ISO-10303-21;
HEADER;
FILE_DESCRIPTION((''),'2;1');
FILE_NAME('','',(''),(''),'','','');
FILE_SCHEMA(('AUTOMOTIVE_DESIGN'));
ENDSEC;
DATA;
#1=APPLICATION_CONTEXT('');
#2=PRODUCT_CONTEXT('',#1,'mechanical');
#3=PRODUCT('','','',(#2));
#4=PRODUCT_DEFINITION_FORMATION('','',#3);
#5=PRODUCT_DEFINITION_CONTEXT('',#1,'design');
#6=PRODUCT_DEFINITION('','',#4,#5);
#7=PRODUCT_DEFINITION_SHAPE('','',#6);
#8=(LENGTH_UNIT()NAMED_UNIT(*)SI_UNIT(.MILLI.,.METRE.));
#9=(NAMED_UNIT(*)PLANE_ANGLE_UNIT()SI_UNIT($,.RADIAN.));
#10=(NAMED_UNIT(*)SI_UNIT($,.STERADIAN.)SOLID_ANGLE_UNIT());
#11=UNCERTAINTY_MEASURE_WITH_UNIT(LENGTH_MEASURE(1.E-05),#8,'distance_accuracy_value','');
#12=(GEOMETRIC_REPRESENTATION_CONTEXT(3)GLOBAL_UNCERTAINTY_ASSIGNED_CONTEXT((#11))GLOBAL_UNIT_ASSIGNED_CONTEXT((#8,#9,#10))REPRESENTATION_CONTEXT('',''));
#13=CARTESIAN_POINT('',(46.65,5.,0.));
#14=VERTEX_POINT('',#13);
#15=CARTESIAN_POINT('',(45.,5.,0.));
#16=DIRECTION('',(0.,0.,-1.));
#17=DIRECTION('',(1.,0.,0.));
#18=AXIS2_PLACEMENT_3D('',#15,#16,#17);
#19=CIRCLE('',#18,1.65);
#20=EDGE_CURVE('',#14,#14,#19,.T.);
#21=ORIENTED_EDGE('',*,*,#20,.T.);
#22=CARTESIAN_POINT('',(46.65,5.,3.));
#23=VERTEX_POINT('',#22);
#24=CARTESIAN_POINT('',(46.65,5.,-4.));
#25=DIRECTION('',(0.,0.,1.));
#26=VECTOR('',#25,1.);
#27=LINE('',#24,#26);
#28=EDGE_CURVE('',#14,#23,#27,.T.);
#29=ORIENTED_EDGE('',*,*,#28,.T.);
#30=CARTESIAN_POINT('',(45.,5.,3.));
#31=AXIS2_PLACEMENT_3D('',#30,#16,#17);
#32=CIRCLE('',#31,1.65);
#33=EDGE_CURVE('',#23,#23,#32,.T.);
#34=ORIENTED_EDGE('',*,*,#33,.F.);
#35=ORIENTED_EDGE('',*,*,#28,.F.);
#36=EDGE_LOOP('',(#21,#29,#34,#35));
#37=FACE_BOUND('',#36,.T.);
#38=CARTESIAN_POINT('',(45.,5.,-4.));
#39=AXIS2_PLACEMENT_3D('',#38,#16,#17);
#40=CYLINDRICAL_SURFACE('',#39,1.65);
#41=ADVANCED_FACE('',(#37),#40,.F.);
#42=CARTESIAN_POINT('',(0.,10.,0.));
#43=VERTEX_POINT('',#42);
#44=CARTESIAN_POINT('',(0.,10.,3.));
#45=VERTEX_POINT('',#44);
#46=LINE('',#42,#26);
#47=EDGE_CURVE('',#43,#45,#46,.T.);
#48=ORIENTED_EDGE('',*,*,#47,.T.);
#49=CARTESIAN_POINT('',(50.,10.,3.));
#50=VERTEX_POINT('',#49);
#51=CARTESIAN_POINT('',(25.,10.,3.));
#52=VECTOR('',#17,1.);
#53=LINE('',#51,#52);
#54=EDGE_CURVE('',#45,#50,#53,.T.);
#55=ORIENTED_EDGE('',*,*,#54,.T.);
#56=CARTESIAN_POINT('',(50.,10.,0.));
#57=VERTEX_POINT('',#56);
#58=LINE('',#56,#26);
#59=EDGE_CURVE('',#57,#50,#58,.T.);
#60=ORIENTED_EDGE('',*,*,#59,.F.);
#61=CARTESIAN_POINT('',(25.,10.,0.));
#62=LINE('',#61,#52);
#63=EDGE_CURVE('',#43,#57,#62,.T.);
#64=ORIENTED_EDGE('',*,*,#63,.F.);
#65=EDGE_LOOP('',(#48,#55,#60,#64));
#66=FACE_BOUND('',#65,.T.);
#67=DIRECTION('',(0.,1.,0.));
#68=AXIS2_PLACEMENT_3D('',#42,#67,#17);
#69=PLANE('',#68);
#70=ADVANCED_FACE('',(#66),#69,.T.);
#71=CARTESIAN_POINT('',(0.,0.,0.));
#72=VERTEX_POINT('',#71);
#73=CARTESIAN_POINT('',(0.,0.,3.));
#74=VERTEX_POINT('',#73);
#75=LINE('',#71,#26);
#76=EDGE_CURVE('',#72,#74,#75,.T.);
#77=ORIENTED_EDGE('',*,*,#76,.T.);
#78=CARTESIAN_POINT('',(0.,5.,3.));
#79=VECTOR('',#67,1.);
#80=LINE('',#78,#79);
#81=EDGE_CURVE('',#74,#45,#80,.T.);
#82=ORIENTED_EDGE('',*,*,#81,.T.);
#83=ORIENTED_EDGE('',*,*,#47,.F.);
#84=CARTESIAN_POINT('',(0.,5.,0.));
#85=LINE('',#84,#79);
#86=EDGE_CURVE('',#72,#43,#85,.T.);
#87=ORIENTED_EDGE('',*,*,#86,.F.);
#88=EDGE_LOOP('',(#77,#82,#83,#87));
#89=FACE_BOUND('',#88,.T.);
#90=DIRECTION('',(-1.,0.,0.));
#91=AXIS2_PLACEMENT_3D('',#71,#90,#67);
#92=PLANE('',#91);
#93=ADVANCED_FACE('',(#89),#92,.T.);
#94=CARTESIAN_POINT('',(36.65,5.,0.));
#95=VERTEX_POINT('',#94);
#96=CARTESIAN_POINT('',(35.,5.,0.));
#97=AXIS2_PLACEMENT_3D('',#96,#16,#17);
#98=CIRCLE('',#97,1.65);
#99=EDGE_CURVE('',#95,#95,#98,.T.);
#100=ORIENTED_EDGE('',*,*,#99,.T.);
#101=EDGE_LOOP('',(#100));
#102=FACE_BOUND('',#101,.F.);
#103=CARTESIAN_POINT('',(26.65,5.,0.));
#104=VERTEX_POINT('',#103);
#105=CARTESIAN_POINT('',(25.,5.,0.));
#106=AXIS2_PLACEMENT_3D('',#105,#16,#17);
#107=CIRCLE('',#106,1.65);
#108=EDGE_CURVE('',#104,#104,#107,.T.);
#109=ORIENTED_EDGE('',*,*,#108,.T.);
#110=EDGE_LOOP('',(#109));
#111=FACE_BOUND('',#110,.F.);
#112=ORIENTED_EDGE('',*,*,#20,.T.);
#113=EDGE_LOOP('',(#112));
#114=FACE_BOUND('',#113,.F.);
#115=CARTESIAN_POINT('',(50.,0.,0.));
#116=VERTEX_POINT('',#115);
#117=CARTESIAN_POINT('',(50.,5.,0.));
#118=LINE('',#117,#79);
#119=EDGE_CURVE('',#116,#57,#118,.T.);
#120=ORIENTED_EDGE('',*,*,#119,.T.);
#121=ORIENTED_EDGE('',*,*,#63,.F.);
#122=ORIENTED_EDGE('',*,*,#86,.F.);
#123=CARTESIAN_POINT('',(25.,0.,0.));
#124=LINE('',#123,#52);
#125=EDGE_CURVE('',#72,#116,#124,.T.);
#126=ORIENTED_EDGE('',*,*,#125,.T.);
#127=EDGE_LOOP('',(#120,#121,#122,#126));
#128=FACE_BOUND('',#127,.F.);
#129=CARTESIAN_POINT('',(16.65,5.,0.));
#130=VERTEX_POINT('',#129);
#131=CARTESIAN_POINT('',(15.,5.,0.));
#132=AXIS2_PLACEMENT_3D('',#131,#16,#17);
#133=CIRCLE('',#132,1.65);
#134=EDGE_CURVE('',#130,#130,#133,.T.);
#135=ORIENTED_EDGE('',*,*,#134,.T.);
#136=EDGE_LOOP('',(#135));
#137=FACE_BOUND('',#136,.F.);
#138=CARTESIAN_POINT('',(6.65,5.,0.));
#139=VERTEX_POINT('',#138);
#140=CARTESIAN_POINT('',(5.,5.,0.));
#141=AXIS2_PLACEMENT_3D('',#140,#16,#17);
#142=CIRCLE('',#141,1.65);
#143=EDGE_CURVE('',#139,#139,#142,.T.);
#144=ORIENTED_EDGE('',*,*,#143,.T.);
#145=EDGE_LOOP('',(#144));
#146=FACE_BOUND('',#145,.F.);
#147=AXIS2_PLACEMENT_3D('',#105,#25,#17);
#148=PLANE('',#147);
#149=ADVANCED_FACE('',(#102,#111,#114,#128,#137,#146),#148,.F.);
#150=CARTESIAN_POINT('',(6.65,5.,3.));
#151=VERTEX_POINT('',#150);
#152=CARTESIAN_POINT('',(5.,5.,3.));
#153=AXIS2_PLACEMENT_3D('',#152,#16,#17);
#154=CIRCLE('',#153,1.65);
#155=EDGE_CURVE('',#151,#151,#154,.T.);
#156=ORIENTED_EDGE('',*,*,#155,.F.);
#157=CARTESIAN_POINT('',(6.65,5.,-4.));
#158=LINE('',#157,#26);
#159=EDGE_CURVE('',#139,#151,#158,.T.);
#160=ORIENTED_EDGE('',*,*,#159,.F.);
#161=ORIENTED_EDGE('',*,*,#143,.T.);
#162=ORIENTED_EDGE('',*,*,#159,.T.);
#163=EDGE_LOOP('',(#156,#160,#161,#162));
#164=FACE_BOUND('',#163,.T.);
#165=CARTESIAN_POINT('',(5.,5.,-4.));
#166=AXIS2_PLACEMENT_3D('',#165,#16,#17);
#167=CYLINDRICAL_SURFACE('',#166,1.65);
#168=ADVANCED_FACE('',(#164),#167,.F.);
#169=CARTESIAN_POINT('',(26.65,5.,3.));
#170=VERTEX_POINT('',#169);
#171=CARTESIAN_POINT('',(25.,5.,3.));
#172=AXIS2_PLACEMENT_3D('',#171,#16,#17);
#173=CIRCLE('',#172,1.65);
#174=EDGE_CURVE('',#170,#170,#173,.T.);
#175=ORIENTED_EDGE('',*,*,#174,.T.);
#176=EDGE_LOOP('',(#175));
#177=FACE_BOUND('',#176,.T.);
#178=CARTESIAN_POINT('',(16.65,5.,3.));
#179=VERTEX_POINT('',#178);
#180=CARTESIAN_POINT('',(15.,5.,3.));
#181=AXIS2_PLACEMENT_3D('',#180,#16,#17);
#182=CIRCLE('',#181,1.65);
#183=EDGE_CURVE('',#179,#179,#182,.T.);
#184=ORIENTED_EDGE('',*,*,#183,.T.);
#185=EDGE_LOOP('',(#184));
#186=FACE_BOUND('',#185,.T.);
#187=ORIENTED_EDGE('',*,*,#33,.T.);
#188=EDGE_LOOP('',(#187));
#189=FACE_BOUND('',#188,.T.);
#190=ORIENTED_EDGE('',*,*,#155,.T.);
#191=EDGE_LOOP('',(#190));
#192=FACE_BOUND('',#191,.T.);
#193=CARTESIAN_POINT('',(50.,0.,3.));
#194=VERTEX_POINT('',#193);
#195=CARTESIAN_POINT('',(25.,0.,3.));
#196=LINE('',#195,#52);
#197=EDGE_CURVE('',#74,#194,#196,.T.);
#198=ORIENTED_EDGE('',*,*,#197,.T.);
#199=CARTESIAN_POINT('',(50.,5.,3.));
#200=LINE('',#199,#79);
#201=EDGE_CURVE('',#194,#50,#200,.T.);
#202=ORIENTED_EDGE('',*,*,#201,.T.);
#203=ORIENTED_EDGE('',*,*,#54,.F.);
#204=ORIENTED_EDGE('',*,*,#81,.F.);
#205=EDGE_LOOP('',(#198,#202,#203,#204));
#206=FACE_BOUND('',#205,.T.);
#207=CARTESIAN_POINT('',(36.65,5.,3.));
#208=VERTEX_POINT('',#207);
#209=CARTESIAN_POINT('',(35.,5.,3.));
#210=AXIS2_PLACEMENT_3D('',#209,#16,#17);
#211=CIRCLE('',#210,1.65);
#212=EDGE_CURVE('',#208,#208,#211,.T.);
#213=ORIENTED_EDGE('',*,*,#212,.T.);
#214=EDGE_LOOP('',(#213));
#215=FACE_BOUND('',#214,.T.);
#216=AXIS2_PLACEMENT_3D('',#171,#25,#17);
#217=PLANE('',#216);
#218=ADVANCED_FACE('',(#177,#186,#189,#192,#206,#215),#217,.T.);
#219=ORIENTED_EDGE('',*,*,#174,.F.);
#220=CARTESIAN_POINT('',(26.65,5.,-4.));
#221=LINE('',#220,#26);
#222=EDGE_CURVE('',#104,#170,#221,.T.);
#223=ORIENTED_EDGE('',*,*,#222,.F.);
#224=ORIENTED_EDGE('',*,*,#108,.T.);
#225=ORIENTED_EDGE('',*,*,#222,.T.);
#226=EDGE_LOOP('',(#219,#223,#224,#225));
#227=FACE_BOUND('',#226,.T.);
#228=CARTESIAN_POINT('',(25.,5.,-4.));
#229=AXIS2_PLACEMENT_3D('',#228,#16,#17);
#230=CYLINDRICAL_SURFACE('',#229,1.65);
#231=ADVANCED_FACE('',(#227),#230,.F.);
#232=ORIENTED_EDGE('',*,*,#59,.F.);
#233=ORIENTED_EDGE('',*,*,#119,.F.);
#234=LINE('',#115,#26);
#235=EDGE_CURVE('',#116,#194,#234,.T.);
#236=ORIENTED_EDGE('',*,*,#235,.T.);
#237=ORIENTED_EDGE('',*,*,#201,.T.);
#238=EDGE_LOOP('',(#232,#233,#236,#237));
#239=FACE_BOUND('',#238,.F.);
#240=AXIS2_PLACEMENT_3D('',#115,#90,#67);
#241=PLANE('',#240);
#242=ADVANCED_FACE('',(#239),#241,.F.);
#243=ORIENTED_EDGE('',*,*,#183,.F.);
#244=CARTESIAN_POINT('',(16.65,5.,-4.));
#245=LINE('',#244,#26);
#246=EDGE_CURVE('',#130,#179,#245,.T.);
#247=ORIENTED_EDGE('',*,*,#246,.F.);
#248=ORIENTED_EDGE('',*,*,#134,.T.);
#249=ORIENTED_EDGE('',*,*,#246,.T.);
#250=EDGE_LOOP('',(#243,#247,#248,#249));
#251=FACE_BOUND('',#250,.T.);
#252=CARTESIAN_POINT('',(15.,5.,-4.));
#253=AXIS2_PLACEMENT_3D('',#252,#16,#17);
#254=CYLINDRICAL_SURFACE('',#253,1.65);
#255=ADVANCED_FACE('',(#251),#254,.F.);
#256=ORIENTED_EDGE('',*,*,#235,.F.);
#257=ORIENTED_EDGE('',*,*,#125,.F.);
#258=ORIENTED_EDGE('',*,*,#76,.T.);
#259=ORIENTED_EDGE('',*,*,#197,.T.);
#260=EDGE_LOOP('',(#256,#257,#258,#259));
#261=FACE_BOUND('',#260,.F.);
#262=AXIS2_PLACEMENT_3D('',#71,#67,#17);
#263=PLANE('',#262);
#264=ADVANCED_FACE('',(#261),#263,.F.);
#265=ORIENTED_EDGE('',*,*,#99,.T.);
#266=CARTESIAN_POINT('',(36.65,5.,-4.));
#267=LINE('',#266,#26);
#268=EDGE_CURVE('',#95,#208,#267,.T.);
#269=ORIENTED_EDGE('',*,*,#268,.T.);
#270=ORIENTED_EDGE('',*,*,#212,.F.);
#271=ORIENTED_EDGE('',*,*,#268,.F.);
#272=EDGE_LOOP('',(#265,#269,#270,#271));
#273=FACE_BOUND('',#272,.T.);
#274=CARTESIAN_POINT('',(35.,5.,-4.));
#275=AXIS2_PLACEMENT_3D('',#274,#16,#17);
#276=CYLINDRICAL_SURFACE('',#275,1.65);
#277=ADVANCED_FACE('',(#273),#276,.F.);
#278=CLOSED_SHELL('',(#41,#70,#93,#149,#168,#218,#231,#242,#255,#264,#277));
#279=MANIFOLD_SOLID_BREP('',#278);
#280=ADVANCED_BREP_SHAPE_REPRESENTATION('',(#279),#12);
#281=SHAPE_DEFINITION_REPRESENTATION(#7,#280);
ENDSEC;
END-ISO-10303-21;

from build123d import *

# Parameters (mm, degrees)
CYLINDER001_R     = 1.65
CYLINDER001_DEPTH = 10
CYLINDER002_R     = 1.65
CYLINDER002_DEPTH = 10
CYLINDER003_R     = 1.65
CYLINDER003_DEPTH = 10
CYLINDER004_R     = 1.65
CYLINDER004_DEPTH = 10
CYLINDER_R        = 1.65
CYLINDER_DEPTH    = 10
BOX_W             = 50
BOX_H             = 10
BOX_DEPTH         = 3


with BuildPart() as taladro002:
    # Cylinder001 → Cylinder001 (new body)
    with BuildSketch(Plane(origin=(15, 5, -4), x_dir=(1, 0, 0), z_dir=(0, 0, 1))):
        Circle(CYLINDER001_R)
    extrude(amount=CYLINDER001_DEPTH)


with BuildPart() as taladro003:
    # Cylinder002 → Cylinder002 (new body)
    with BuildSketch(Plane(origin=(25, 5, -4), x_dir=(1, 0, 0), z_dir=(0, 0, 1))):
        Circle(CYLINDER002_R)
    extrude(amount=CYLINDER002_DEPTH)


with BuildPart() as taladro004:
    # Cylinder003 → Cylinder003 (new body)
    with BuildSketch(Plane(origin=(35, 5, -4), x_dir=(1, 0, 0), z_dir=(0, 0, 1))):
        Circle(CYLINDER003_R)
    extrude(amount=CYLINDER003_DEPTH)


with BuildPart() as taladro005:
    # Cylinder004 → Cylinder004 (new body)
    with BuildSketch(Plane(origin=(45, 5, -4), x_dir=(1, 0, 0), z_dir=(0, 0, 1))):
        Circle(CYLINDER004_R)
    extrude(amount=CYLINDER004_DEPTH)


with BuildPart() as taladros:
    # Cylinder → Cylinder (new body)
    with BuildSketch(Plane(origin=(5, 5, -4), x_dir=(1, 0, 0), z_dir=(0, 0, 1))):
        Circle(CYLINDER_R)
    extrude(amount=CYLINDER_DEPTH)

    # Fusion: union taladro002, taladro003, taladro004, taladro005
    add(taladro002.part)
    add(taladro003.part)
    add(taladro004.part)
    add(taladro005.part)


with BuildPart() as pieza_final:
    # Box → Box (new body)
    with BuildSketch(Plane.XY):
        with Locations((25, 5)):
            Rectangle(BOX_W, BOX_H)
    extrude(amount=BOX_DEPTH)

    # Cut: cut Taladros
    add(taladros.part, mode=Mode.SUBTRACT)


solid = pieza_final.part
